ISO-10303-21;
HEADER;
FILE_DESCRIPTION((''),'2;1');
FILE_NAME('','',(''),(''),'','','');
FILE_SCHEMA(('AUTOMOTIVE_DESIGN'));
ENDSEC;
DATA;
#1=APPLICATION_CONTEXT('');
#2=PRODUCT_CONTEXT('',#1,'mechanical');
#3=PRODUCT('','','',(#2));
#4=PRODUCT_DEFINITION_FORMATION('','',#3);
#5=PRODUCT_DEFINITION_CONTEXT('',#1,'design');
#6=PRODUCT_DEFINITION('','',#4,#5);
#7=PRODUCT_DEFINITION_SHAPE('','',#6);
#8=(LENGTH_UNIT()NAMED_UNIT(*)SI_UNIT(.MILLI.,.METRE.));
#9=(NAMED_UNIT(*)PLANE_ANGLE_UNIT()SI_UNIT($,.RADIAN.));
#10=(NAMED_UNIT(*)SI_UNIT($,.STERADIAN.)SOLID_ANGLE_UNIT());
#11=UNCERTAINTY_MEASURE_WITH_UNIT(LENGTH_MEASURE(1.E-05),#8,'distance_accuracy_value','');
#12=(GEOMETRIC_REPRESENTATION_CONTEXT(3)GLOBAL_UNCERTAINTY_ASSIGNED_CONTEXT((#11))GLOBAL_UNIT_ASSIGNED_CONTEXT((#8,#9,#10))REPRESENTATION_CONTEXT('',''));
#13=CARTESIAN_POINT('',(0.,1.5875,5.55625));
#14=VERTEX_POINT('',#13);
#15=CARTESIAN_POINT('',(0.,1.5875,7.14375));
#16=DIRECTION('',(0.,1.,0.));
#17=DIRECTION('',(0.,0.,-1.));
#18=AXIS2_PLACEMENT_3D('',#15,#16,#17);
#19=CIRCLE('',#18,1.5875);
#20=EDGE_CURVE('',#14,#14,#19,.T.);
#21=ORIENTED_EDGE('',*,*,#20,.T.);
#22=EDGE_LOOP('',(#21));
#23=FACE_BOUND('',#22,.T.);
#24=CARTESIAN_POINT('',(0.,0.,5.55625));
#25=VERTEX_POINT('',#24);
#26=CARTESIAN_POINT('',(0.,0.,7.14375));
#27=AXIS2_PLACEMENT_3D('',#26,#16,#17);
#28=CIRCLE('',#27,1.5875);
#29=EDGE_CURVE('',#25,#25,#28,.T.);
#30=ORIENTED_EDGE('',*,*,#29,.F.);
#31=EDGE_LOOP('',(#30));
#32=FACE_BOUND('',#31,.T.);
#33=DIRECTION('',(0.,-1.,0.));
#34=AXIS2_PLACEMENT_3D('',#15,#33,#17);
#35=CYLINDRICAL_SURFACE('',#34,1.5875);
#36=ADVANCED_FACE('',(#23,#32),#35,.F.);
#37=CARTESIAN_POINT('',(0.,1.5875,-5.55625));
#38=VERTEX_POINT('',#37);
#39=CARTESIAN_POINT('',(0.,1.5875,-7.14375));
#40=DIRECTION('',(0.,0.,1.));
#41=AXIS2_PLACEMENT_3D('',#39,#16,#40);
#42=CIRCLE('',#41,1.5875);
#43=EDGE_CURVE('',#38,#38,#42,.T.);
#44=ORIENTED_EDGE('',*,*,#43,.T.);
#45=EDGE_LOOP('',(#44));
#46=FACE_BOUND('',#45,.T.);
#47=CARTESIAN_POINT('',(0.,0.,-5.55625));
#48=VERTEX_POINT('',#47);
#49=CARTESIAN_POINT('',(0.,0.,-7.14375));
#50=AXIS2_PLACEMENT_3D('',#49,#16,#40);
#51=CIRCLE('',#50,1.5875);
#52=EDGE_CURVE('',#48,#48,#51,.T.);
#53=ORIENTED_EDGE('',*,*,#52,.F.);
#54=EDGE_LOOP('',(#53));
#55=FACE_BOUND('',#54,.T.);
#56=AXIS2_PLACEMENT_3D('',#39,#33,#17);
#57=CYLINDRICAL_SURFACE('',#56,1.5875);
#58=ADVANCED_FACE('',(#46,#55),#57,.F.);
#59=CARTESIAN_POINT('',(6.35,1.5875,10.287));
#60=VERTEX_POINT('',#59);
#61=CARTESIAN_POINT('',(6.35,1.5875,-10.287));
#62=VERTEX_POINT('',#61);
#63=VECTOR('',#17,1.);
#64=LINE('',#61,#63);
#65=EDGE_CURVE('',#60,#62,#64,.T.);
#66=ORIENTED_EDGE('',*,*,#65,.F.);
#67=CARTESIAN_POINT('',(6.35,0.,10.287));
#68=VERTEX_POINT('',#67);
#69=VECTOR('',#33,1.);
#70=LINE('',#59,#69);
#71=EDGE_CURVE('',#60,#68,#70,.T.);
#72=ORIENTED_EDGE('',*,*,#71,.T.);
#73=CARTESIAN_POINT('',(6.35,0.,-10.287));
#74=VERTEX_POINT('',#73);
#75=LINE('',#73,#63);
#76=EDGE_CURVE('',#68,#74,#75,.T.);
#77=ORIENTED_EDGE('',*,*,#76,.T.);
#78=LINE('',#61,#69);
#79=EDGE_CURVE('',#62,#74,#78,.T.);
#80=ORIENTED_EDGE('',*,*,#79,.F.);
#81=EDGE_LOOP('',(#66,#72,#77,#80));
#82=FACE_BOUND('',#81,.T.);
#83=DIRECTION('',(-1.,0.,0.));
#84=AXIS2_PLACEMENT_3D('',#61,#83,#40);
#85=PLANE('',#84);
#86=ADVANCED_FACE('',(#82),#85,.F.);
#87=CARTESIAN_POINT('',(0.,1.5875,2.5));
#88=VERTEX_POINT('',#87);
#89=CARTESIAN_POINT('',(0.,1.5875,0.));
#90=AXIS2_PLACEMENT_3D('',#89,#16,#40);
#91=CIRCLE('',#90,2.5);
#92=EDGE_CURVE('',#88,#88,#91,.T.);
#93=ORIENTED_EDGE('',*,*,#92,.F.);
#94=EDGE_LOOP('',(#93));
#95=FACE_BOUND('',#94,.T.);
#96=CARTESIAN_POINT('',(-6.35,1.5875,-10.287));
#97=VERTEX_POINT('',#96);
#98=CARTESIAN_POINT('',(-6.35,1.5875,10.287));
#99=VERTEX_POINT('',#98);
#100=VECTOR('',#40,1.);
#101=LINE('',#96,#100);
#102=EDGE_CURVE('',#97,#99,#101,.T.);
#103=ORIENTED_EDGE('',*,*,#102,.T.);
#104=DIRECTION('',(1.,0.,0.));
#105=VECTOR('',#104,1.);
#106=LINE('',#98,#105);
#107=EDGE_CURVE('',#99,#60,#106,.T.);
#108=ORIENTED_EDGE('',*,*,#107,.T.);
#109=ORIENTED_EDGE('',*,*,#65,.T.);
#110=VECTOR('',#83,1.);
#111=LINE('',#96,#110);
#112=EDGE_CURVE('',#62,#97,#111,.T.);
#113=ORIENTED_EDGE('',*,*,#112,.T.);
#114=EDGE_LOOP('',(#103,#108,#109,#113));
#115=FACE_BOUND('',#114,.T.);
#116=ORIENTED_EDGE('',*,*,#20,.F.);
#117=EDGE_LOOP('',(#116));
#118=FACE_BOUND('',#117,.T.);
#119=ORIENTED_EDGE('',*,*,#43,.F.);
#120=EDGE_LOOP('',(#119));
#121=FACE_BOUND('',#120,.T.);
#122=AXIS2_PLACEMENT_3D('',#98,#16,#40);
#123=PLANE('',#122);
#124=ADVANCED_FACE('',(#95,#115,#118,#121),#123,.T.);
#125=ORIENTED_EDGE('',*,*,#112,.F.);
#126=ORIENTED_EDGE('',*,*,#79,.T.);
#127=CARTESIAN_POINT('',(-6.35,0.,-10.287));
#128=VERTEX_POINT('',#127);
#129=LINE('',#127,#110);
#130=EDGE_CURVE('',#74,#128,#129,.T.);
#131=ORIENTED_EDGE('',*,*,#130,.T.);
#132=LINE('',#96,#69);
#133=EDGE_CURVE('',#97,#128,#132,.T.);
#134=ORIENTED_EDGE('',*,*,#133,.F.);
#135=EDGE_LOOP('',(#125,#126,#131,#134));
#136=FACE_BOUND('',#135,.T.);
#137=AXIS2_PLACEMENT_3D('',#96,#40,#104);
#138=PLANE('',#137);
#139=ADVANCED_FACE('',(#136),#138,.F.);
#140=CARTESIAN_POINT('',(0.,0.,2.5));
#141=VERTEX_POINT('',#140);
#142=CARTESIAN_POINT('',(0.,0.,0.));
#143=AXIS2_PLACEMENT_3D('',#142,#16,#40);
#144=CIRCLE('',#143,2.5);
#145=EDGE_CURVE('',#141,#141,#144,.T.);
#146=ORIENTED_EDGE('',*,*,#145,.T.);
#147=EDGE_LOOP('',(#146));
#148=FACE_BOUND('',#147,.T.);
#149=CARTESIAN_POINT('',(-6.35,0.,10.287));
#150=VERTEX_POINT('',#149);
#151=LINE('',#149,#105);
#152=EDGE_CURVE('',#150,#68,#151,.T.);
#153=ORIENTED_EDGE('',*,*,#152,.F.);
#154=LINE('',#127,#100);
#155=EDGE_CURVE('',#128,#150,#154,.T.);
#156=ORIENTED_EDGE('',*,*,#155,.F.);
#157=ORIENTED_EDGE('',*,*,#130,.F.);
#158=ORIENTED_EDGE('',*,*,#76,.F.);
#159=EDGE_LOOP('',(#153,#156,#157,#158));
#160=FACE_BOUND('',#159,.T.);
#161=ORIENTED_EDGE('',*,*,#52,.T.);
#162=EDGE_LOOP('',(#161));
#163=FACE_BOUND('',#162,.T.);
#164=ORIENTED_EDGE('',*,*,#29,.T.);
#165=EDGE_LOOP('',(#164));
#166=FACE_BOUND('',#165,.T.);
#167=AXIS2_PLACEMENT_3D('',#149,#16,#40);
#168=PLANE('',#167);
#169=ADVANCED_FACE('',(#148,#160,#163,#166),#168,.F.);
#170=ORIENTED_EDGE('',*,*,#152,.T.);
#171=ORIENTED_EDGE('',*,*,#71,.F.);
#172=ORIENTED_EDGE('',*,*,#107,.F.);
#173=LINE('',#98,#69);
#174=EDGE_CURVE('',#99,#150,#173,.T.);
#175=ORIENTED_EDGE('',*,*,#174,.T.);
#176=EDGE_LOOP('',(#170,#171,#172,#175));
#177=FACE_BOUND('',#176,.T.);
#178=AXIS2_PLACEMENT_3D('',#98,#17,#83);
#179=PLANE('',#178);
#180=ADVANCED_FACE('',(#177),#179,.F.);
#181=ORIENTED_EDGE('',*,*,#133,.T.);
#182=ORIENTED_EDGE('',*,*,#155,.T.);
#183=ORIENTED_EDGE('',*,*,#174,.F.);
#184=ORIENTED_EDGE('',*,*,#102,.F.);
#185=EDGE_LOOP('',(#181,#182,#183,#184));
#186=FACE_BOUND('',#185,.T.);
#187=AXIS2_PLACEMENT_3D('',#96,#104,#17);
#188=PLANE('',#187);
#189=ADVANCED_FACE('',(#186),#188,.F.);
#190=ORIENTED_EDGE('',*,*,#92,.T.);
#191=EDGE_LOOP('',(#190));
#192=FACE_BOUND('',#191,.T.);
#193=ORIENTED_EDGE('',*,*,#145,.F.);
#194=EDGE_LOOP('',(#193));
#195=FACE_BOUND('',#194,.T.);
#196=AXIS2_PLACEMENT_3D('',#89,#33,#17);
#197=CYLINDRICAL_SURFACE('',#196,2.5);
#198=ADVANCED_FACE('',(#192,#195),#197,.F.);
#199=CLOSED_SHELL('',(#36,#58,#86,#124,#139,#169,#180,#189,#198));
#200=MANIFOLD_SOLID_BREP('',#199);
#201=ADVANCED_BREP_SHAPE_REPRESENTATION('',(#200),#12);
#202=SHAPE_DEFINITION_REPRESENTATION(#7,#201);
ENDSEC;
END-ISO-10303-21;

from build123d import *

# Parameters (mm, degrees)
SKETCH1_W          = 12.7
SKETCH1_H          = 20.574
EXTRUDE1_DEPTH     = 1.5875
SKETCH3_R          = 1.5875
CUT_EXTRUDE6_DEPTH = 13.192826795
CIRPATTERN1_COUNT  = 2
SKETCH5_R          = 2.5
CUT_EXTRUDE8_DEPTH = 13.192826795


with BuildPart() as part:
    # Sketch1 → Extrude1 (new body)
    with BuildSketch(Plane(origin=(0, 0, 0), x_dir=(1, 0, 0), z_dir=(0, 1, 0))):
        Rectangle(SKETCH1_W, SKETCH1_H)
    extrude(amount=EXTRUDE1_DEPTH)

    # Sketch3 → Cut-Extrude6 (cut, through all)
    with BuildSketch(Plane(origin=(0, 0, 0), x_dir=(1, 0, 0), z_dir=(0, 1, 0))):
        with Locations((0, 7.14375)):
            Circle(SKETCH3_R)
    cut_extrude6 = extrude(amount=CUT_EXTRUDE6_DEPTH, mode=Mode.SUBTRACT)

    # CirPattern1: Cut-Extrude6 ×2 about axis
    cirpattern1_axis = Axis((0, 8.776642466, 0), (0, -1, 0))
    for i in range(1, CIRPATTERN1_COUNT):
        add(cut_extrude6.rotate(cirpattern1_axis, i * 360 / CIRPATTERN1_COUNT), mode=Mode.SUBTRACT)

    # Sketch5 → Cut-Extrude8 (cut, through all)
    with BuildSketch(Plane(origin=(0, 0, 0), x_dir=(1, 0, 0), z_dir=(0, 1, 0))):
        Circle(SKETCH5_R)
    extrude(amount=CUT_EXTRUDE8_DEPTH, mode=Mode.SUBTRACT)


solid = part.part
